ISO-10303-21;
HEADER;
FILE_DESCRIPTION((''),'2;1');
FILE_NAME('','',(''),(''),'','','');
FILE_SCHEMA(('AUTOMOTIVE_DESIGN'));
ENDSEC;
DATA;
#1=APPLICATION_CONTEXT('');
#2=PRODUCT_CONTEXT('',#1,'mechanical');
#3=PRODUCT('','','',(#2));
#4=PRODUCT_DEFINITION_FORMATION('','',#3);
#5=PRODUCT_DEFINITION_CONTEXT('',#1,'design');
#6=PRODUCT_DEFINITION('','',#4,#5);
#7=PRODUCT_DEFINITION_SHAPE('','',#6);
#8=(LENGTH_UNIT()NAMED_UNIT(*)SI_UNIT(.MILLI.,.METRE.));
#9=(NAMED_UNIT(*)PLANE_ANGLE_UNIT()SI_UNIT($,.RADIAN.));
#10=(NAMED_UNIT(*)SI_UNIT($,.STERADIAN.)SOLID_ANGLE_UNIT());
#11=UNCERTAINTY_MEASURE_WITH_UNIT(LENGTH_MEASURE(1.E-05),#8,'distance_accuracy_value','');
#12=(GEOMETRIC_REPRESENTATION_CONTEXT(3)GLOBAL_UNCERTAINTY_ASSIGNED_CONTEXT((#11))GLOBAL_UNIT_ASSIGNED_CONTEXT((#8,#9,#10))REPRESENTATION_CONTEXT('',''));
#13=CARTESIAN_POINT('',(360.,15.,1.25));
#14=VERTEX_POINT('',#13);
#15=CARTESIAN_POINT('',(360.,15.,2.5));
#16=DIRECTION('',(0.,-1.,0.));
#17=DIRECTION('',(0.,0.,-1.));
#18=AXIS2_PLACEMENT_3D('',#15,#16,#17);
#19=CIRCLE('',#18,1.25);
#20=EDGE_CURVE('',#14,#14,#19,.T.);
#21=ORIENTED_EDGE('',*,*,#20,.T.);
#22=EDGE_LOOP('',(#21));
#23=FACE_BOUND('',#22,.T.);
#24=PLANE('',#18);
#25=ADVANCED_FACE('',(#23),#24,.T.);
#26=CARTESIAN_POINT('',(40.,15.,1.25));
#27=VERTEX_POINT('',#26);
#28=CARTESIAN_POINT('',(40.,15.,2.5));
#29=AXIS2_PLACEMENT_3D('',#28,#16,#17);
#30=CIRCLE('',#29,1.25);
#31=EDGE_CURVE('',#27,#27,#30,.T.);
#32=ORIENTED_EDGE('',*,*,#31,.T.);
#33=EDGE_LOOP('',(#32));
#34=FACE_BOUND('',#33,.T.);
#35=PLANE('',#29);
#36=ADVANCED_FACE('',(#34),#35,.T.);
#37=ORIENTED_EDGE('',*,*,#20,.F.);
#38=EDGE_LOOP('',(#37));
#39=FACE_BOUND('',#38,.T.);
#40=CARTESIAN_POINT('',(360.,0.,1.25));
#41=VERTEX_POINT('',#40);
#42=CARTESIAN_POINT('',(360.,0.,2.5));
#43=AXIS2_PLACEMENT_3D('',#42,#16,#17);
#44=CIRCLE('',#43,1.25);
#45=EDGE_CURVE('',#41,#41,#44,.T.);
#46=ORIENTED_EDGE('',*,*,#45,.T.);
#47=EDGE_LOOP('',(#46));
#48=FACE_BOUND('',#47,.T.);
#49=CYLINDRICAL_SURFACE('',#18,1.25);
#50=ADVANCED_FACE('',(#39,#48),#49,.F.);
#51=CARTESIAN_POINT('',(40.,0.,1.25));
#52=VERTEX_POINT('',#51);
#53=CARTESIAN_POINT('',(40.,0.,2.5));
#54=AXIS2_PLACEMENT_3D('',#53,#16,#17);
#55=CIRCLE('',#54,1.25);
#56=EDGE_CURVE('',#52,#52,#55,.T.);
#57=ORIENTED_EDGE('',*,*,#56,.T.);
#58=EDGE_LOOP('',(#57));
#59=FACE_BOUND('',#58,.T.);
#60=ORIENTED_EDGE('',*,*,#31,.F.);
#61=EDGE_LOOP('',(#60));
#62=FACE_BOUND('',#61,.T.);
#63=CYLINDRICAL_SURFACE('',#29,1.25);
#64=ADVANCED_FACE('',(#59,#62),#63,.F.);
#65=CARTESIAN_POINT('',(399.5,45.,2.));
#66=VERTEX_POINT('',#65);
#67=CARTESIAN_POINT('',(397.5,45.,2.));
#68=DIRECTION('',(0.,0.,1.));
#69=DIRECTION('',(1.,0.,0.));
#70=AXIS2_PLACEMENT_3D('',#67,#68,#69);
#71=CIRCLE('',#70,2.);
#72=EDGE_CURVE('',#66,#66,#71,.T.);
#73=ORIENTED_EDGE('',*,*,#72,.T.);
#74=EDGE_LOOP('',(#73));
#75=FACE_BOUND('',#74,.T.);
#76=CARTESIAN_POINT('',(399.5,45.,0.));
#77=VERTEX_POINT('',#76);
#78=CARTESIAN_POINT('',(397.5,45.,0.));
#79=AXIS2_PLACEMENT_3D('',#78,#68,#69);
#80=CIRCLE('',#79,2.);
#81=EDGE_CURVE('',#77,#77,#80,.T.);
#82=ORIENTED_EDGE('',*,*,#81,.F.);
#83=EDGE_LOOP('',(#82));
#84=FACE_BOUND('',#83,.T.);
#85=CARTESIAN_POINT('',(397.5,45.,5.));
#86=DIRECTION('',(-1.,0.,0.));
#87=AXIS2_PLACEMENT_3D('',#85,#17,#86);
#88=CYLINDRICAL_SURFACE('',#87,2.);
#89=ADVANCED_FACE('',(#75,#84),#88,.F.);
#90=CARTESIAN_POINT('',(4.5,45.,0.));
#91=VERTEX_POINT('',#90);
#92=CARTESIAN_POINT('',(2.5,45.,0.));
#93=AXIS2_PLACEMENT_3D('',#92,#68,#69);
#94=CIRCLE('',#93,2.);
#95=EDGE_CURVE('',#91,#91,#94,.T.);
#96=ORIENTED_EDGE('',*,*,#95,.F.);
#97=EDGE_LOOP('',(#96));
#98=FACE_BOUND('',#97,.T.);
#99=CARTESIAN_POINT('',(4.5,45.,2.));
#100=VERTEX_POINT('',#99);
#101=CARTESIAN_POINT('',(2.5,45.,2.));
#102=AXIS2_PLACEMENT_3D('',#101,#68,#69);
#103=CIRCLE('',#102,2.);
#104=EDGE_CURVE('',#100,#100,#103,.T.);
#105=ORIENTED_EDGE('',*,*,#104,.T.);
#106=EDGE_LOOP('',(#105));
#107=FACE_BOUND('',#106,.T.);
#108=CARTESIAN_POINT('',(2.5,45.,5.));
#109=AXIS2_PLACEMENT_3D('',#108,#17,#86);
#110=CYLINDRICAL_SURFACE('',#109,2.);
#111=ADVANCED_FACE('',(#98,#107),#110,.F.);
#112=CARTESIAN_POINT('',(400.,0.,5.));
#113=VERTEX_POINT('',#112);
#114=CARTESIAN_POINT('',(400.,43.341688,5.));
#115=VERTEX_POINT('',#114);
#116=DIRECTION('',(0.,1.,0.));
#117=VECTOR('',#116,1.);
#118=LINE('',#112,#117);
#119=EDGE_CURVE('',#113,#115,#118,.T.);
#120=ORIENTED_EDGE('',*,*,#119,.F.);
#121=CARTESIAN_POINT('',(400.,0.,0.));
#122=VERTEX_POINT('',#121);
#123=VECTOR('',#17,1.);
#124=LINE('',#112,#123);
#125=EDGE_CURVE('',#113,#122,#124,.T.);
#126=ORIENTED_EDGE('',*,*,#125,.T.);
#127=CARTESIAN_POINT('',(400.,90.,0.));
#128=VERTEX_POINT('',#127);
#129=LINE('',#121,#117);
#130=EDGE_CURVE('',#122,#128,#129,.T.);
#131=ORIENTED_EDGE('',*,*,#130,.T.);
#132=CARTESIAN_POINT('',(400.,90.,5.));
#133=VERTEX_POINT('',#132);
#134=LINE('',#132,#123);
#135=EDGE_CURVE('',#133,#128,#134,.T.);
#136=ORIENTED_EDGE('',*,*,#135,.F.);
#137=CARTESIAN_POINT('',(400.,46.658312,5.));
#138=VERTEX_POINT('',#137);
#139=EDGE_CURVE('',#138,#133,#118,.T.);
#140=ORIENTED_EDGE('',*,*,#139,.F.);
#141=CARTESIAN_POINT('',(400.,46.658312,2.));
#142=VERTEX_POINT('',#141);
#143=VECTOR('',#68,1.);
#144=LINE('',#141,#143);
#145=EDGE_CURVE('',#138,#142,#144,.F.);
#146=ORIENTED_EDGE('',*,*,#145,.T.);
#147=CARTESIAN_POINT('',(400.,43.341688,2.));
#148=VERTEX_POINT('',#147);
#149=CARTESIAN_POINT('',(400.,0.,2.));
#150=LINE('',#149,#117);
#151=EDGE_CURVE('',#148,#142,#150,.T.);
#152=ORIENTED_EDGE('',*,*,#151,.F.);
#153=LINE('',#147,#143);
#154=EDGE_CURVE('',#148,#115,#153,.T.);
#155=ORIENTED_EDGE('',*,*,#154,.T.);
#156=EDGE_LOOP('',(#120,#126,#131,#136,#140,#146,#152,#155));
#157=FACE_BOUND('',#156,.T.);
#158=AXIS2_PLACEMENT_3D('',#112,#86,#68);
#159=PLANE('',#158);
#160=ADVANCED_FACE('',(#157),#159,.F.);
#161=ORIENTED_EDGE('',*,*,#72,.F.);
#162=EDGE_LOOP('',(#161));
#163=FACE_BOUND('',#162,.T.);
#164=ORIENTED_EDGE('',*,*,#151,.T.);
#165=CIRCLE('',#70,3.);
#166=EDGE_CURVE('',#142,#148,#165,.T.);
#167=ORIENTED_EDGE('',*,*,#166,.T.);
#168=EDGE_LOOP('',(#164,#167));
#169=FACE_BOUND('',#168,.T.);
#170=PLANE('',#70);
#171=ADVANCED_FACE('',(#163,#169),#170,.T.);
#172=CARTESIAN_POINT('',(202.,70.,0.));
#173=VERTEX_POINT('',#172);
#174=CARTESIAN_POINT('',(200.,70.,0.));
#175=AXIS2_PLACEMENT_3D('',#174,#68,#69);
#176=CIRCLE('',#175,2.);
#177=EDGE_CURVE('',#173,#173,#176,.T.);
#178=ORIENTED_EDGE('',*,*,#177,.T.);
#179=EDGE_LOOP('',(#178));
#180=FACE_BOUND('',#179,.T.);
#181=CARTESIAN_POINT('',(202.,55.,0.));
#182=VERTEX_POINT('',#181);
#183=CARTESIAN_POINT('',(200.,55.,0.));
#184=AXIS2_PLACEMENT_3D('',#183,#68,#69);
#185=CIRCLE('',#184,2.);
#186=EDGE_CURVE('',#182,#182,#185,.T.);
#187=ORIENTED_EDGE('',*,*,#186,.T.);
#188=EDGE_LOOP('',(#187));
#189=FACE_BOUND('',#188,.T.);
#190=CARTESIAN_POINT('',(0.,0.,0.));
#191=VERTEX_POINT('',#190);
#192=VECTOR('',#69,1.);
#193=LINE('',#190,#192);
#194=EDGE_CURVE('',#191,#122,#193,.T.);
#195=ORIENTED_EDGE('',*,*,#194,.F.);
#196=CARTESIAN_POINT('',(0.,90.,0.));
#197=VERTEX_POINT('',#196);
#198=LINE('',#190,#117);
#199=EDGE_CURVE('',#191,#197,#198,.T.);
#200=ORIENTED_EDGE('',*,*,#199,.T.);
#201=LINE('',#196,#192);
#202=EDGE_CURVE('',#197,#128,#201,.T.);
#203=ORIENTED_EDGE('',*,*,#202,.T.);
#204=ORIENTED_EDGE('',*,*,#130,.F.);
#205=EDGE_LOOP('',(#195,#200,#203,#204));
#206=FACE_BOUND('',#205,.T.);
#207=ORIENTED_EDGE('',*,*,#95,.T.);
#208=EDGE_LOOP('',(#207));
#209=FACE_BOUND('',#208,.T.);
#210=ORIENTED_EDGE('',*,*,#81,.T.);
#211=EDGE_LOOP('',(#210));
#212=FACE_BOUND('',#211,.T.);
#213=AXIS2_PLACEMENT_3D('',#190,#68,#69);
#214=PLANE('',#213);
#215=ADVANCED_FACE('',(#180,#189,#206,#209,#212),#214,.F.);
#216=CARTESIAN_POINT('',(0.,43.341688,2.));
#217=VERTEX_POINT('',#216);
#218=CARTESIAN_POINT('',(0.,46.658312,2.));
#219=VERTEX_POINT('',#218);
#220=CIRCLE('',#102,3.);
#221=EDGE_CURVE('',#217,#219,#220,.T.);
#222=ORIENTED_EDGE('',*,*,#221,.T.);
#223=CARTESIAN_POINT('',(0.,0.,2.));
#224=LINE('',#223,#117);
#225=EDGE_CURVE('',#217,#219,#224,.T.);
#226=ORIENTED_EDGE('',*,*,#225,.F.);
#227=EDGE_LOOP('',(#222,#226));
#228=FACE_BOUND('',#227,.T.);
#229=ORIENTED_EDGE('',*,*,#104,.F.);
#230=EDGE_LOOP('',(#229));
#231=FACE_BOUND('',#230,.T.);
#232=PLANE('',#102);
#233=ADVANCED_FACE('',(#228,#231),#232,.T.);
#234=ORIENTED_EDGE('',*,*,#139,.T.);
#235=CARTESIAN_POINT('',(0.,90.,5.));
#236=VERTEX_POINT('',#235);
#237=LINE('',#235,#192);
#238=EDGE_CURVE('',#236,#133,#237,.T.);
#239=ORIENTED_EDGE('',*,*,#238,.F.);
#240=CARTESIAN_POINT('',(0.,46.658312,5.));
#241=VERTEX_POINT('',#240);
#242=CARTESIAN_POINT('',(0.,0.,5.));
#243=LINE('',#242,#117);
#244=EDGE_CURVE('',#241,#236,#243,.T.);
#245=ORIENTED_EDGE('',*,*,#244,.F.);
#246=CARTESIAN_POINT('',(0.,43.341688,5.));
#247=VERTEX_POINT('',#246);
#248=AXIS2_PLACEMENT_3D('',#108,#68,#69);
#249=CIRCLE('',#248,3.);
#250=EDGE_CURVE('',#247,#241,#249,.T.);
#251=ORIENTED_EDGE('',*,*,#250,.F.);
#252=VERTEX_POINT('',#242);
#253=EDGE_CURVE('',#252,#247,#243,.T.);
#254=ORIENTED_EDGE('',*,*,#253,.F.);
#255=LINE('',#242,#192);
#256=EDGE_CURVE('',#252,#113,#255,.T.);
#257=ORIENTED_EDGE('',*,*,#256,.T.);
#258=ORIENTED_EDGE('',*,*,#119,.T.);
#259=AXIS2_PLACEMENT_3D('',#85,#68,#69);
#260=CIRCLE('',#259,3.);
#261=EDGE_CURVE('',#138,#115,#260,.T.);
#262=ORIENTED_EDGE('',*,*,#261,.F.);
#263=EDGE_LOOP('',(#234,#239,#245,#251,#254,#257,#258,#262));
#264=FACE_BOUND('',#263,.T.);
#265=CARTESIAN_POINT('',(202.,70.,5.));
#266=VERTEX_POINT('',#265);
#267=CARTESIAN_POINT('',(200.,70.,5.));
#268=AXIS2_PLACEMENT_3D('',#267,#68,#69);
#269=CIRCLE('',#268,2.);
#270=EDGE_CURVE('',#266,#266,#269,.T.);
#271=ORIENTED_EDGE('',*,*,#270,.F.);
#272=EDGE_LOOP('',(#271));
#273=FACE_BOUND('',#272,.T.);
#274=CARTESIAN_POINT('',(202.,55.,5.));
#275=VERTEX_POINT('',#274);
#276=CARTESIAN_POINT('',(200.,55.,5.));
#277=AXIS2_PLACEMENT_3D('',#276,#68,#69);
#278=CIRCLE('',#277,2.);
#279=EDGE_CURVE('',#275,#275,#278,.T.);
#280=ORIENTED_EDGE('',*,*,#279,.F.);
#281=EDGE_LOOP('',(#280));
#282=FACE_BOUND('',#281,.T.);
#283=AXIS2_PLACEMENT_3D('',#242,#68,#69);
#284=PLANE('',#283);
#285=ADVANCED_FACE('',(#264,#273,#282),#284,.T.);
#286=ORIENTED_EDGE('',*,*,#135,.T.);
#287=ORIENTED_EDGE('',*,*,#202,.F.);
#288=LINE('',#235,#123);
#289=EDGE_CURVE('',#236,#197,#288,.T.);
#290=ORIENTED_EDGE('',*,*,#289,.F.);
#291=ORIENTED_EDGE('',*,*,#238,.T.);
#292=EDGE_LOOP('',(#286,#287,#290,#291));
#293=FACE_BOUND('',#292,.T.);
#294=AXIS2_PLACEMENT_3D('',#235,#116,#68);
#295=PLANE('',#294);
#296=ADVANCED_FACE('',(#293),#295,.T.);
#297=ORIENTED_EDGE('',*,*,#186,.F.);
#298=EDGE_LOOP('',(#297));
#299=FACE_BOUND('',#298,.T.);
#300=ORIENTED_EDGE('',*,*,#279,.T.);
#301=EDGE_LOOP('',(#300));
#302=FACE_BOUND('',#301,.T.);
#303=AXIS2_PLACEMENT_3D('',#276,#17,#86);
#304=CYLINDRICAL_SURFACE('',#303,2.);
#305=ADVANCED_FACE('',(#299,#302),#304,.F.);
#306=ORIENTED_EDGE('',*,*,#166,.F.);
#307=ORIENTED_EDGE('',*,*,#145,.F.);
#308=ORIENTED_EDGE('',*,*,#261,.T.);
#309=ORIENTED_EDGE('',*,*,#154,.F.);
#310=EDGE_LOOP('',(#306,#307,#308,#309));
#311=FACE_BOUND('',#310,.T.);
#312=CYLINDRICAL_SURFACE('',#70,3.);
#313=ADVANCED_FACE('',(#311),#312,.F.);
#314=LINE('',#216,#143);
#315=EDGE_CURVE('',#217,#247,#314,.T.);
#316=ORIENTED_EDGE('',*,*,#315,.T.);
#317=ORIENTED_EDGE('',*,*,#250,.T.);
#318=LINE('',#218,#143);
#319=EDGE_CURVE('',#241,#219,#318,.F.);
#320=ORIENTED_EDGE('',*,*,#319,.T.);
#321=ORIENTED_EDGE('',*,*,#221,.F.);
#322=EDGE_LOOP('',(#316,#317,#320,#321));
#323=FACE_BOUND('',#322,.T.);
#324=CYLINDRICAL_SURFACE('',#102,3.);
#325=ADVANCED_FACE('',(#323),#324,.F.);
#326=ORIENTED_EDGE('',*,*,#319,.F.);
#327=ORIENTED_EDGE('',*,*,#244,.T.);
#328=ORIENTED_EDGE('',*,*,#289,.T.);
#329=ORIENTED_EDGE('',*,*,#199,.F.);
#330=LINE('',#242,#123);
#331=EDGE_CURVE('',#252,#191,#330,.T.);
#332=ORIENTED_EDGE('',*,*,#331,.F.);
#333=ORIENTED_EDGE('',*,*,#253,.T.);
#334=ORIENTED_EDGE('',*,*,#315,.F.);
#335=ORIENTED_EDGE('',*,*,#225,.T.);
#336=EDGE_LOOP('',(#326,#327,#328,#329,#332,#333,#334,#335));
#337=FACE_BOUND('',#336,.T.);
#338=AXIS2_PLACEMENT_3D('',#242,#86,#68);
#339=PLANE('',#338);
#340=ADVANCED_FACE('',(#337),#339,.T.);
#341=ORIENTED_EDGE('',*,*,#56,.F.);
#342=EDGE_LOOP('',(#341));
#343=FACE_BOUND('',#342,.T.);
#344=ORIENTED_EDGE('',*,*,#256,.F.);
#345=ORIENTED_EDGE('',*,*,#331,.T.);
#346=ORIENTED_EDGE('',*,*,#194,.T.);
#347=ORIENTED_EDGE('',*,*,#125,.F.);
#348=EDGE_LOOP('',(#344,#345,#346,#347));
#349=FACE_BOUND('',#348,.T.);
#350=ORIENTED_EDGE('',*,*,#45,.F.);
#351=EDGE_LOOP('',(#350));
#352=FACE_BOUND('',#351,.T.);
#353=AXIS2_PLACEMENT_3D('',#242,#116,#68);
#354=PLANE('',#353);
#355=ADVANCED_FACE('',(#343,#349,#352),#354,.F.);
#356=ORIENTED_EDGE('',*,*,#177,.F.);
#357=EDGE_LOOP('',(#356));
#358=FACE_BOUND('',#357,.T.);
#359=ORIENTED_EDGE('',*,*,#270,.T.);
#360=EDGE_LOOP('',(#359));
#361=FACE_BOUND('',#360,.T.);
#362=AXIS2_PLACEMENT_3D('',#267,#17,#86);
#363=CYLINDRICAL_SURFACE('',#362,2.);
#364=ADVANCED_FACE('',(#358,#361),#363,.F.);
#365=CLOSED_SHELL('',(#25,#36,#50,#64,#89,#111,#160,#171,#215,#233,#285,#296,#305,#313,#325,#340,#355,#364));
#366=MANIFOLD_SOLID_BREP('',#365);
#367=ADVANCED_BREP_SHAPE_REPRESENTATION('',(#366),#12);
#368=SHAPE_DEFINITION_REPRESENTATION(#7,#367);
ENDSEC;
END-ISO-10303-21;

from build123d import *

# Parameters (mm, degrees)
SKETCH1_W           = 400
SKETCH1_H           = 90
SKETCH1_R           = 2
BOSS_EXTRUDE2_DEPTH = 5
SKETCH2_R           = 3
CUT_EXTRUDE1_DEPTH  = 3
SKETCH3_R           = 1.25
CUT_EXTRUDE2_DEPTH  = 15


with BuildPart() as part:
    # Sketch1 → Boss-Extrude2 (new body)
    with BuildSketch(Plane.XY):
        with Locations((200, 45)):
            Rectangle(SKETCH1_W, SKETCH1_H)
        with Locations((2.5, 45)):
            Circle(SKETCH1_R, mode=Mode.SUBTRACT)
        with Locations((397.5, 45)):
            Circle(SKETCH1_R, mode=Mode.SUBTRACT)
        with Locations((200, 55)):
            Circle(SKETCH1_R, mode=Mode.SUBTRACT)
        with Locations((200, 70)):
            Circle(SKETCH1_R, mode=Mode.SUBTRACT)
    extrude(amount=BOSS_EXTRUDE2_DEPTH)

    # Sketch2 → Cut-Extrude1 (cut)
    with BuildSketch(Plane.XY.offset(5)):
        with Locations((2.5, 45)):
            Circle(SKETCH2_R)
        with Locations((397.5, 45)):
            Circle(SKETCH2_R)
    extrude(amount=-CUT_EXTRUDE1_DEPTH, mode=Mode.SUBTRACT)

    # Sketch3 → Cut-Extrude2 (cut)
    with BuildSketch(Plane.XZ):
        with Locations(Location((40, 2.5, 0), (0, 0, 270))):
            Circle(SKETCH3_R)
        with Locations(Location((360, 2.5, 0), (0, 0, 270))):
            Circle(SKETCH3_R)
    extrude(amount=-CUT_EXTRUDE2_DEPTH, mode=Mode.SUBTRACT)


solid = part.part
